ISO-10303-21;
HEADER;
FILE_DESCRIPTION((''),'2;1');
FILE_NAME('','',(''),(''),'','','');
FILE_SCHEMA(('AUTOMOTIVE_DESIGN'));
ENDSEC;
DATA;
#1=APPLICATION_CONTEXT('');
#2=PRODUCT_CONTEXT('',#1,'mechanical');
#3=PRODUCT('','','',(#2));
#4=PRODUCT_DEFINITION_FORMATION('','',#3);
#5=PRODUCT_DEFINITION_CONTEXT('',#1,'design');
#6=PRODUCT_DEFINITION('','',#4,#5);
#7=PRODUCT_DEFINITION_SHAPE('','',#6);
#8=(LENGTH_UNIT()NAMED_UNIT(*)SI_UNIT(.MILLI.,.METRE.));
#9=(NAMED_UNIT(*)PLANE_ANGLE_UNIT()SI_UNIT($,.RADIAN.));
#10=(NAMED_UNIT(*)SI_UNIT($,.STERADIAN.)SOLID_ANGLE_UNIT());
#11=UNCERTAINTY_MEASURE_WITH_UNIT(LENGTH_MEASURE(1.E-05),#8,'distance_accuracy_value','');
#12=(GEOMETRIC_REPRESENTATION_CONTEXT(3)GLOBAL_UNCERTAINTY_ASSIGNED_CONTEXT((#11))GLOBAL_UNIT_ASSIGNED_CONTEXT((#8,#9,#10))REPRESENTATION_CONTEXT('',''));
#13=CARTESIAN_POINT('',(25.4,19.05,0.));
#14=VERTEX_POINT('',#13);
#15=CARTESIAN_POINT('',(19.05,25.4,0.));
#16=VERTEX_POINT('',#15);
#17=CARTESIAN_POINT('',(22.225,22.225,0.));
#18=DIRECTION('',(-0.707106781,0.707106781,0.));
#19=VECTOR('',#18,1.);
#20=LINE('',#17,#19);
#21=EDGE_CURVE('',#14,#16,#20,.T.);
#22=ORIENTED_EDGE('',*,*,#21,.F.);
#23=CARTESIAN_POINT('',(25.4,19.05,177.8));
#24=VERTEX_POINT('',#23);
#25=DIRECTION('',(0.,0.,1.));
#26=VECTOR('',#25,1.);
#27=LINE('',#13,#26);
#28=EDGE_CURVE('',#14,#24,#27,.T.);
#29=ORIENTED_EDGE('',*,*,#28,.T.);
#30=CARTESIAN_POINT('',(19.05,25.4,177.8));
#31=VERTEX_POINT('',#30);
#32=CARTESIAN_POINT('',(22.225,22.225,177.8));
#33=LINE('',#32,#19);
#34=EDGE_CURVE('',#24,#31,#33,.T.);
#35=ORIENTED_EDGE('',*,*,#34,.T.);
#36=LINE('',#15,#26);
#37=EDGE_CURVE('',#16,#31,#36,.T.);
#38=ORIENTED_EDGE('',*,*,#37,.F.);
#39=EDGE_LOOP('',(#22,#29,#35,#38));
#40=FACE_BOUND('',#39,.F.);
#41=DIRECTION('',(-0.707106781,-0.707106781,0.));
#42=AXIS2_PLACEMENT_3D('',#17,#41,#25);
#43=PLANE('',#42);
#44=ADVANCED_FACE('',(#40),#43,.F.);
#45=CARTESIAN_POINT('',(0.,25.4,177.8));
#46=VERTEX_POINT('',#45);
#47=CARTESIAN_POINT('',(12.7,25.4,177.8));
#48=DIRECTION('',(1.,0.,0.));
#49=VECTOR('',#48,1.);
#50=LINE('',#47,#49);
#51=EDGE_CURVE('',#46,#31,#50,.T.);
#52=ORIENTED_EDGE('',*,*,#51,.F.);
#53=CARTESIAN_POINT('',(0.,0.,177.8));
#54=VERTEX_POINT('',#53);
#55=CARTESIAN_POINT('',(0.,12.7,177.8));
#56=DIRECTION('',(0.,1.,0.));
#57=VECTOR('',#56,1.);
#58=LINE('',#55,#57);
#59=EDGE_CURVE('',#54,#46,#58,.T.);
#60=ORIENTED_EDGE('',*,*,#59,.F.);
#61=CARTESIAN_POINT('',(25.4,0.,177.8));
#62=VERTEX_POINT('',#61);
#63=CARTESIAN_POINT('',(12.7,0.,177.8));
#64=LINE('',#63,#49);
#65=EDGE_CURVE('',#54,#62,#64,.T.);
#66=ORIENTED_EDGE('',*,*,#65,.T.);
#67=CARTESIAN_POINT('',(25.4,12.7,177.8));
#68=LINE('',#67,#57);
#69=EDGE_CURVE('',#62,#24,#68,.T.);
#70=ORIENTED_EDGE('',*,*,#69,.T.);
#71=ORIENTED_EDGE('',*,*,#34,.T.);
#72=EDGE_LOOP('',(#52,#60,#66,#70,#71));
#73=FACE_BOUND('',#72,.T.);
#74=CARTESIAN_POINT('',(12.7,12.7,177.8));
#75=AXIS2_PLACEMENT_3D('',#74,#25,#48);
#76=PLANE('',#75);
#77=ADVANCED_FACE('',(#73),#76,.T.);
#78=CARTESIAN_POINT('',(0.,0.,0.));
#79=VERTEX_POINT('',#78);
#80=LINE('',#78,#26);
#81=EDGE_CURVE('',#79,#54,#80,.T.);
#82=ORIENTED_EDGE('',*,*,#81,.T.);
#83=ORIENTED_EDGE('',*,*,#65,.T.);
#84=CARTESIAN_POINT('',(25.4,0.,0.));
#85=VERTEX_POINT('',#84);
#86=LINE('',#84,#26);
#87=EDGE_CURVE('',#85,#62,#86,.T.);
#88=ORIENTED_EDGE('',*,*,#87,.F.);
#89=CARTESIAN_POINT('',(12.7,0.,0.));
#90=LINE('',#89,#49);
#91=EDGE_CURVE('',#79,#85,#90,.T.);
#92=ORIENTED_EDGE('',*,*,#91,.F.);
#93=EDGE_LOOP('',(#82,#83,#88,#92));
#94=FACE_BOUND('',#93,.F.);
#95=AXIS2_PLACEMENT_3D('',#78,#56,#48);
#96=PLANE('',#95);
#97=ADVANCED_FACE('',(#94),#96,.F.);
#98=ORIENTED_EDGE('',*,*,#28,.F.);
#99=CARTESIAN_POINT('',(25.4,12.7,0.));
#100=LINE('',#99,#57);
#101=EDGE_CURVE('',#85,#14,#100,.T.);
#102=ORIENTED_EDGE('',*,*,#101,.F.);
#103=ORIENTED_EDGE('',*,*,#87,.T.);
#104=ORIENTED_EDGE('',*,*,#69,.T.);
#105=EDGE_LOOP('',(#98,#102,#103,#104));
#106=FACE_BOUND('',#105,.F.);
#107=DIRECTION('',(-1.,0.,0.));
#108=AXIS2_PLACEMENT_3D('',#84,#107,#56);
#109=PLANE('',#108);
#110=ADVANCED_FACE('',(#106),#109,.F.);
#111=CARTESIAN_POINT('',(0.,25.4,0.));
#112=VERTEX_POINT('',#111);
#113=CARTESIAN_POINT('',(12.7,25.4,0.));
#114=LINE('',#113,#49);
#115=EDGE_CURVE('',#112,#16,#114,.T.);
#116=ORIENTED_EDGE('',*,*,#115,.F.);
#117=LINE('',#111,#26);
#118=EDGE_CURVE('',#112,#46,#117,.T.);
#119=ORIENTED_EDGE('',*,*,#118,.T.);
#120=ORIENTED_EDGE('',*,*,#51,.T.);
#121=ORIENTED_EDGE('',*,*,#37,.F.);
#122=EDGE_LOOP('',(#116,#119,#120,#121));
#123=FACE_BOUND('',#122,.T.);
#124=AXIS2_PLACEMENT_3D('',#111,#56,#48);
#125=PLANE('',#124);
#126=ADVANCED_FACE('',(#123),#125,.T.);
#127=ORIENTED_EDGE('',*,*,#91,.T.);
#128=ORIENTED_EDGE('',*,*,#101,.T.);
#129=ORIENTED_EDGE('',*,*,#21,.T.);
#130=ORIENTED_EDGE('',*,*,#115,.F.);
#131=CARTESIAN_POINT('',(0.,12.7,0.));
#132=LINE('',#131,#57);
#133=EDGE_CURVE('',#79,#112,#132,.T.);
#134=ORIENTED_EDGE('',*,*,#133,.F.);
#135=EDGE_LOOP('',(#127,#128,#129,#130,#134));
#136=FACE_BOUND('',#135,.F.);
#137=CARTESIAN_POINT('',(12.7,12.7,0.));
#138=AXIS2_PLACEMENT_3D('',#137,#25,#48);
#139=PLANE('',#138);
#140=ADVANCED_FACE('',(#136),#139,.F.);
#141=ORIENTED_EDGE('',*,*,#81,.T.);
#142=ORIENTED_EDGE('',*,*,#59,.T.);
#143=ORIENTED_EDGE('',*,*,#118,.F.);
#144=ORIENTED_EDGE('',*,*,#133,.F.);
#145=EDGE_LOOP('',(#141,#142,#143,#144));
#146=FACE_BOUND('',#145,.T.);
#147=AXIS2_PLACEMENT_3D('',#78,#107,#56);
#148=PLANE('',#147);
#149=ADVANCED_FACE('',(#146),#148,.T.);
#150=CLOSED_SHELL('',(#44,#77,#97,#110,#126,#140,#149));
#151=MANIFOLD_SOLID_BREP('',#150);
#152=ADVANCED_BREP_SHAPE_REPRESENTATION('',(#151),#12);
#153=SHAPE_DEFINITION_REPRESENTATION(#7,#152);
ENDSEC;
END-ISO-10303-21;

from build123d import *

# Parameters (mm, degrees)
F0_W     = 25.4
F0_H     = 25.4
F1_DEPTH = 177.8
F2_SIZE2 = 6.35
F2_SIZE  = 6.35


with BuildPart() as f1:
    # F0 (on Top) → F1 (new body)
    with BuildSketch(Plane.XY):
        with Locations((12.7, 12.7)):
            Rectangle(F0_W, F0_H)
    extrude(amount=F1_DEPTH)

    # F2
    f2_edges = [f1.edges().sort_by_distance(p)[0] for p in [
        (25.4, 25.4, 88.9),
    ]]
    chamfer(f2_edges, length=F2_SIZE, length2=F2_SIZE2)


solid = f1.part
